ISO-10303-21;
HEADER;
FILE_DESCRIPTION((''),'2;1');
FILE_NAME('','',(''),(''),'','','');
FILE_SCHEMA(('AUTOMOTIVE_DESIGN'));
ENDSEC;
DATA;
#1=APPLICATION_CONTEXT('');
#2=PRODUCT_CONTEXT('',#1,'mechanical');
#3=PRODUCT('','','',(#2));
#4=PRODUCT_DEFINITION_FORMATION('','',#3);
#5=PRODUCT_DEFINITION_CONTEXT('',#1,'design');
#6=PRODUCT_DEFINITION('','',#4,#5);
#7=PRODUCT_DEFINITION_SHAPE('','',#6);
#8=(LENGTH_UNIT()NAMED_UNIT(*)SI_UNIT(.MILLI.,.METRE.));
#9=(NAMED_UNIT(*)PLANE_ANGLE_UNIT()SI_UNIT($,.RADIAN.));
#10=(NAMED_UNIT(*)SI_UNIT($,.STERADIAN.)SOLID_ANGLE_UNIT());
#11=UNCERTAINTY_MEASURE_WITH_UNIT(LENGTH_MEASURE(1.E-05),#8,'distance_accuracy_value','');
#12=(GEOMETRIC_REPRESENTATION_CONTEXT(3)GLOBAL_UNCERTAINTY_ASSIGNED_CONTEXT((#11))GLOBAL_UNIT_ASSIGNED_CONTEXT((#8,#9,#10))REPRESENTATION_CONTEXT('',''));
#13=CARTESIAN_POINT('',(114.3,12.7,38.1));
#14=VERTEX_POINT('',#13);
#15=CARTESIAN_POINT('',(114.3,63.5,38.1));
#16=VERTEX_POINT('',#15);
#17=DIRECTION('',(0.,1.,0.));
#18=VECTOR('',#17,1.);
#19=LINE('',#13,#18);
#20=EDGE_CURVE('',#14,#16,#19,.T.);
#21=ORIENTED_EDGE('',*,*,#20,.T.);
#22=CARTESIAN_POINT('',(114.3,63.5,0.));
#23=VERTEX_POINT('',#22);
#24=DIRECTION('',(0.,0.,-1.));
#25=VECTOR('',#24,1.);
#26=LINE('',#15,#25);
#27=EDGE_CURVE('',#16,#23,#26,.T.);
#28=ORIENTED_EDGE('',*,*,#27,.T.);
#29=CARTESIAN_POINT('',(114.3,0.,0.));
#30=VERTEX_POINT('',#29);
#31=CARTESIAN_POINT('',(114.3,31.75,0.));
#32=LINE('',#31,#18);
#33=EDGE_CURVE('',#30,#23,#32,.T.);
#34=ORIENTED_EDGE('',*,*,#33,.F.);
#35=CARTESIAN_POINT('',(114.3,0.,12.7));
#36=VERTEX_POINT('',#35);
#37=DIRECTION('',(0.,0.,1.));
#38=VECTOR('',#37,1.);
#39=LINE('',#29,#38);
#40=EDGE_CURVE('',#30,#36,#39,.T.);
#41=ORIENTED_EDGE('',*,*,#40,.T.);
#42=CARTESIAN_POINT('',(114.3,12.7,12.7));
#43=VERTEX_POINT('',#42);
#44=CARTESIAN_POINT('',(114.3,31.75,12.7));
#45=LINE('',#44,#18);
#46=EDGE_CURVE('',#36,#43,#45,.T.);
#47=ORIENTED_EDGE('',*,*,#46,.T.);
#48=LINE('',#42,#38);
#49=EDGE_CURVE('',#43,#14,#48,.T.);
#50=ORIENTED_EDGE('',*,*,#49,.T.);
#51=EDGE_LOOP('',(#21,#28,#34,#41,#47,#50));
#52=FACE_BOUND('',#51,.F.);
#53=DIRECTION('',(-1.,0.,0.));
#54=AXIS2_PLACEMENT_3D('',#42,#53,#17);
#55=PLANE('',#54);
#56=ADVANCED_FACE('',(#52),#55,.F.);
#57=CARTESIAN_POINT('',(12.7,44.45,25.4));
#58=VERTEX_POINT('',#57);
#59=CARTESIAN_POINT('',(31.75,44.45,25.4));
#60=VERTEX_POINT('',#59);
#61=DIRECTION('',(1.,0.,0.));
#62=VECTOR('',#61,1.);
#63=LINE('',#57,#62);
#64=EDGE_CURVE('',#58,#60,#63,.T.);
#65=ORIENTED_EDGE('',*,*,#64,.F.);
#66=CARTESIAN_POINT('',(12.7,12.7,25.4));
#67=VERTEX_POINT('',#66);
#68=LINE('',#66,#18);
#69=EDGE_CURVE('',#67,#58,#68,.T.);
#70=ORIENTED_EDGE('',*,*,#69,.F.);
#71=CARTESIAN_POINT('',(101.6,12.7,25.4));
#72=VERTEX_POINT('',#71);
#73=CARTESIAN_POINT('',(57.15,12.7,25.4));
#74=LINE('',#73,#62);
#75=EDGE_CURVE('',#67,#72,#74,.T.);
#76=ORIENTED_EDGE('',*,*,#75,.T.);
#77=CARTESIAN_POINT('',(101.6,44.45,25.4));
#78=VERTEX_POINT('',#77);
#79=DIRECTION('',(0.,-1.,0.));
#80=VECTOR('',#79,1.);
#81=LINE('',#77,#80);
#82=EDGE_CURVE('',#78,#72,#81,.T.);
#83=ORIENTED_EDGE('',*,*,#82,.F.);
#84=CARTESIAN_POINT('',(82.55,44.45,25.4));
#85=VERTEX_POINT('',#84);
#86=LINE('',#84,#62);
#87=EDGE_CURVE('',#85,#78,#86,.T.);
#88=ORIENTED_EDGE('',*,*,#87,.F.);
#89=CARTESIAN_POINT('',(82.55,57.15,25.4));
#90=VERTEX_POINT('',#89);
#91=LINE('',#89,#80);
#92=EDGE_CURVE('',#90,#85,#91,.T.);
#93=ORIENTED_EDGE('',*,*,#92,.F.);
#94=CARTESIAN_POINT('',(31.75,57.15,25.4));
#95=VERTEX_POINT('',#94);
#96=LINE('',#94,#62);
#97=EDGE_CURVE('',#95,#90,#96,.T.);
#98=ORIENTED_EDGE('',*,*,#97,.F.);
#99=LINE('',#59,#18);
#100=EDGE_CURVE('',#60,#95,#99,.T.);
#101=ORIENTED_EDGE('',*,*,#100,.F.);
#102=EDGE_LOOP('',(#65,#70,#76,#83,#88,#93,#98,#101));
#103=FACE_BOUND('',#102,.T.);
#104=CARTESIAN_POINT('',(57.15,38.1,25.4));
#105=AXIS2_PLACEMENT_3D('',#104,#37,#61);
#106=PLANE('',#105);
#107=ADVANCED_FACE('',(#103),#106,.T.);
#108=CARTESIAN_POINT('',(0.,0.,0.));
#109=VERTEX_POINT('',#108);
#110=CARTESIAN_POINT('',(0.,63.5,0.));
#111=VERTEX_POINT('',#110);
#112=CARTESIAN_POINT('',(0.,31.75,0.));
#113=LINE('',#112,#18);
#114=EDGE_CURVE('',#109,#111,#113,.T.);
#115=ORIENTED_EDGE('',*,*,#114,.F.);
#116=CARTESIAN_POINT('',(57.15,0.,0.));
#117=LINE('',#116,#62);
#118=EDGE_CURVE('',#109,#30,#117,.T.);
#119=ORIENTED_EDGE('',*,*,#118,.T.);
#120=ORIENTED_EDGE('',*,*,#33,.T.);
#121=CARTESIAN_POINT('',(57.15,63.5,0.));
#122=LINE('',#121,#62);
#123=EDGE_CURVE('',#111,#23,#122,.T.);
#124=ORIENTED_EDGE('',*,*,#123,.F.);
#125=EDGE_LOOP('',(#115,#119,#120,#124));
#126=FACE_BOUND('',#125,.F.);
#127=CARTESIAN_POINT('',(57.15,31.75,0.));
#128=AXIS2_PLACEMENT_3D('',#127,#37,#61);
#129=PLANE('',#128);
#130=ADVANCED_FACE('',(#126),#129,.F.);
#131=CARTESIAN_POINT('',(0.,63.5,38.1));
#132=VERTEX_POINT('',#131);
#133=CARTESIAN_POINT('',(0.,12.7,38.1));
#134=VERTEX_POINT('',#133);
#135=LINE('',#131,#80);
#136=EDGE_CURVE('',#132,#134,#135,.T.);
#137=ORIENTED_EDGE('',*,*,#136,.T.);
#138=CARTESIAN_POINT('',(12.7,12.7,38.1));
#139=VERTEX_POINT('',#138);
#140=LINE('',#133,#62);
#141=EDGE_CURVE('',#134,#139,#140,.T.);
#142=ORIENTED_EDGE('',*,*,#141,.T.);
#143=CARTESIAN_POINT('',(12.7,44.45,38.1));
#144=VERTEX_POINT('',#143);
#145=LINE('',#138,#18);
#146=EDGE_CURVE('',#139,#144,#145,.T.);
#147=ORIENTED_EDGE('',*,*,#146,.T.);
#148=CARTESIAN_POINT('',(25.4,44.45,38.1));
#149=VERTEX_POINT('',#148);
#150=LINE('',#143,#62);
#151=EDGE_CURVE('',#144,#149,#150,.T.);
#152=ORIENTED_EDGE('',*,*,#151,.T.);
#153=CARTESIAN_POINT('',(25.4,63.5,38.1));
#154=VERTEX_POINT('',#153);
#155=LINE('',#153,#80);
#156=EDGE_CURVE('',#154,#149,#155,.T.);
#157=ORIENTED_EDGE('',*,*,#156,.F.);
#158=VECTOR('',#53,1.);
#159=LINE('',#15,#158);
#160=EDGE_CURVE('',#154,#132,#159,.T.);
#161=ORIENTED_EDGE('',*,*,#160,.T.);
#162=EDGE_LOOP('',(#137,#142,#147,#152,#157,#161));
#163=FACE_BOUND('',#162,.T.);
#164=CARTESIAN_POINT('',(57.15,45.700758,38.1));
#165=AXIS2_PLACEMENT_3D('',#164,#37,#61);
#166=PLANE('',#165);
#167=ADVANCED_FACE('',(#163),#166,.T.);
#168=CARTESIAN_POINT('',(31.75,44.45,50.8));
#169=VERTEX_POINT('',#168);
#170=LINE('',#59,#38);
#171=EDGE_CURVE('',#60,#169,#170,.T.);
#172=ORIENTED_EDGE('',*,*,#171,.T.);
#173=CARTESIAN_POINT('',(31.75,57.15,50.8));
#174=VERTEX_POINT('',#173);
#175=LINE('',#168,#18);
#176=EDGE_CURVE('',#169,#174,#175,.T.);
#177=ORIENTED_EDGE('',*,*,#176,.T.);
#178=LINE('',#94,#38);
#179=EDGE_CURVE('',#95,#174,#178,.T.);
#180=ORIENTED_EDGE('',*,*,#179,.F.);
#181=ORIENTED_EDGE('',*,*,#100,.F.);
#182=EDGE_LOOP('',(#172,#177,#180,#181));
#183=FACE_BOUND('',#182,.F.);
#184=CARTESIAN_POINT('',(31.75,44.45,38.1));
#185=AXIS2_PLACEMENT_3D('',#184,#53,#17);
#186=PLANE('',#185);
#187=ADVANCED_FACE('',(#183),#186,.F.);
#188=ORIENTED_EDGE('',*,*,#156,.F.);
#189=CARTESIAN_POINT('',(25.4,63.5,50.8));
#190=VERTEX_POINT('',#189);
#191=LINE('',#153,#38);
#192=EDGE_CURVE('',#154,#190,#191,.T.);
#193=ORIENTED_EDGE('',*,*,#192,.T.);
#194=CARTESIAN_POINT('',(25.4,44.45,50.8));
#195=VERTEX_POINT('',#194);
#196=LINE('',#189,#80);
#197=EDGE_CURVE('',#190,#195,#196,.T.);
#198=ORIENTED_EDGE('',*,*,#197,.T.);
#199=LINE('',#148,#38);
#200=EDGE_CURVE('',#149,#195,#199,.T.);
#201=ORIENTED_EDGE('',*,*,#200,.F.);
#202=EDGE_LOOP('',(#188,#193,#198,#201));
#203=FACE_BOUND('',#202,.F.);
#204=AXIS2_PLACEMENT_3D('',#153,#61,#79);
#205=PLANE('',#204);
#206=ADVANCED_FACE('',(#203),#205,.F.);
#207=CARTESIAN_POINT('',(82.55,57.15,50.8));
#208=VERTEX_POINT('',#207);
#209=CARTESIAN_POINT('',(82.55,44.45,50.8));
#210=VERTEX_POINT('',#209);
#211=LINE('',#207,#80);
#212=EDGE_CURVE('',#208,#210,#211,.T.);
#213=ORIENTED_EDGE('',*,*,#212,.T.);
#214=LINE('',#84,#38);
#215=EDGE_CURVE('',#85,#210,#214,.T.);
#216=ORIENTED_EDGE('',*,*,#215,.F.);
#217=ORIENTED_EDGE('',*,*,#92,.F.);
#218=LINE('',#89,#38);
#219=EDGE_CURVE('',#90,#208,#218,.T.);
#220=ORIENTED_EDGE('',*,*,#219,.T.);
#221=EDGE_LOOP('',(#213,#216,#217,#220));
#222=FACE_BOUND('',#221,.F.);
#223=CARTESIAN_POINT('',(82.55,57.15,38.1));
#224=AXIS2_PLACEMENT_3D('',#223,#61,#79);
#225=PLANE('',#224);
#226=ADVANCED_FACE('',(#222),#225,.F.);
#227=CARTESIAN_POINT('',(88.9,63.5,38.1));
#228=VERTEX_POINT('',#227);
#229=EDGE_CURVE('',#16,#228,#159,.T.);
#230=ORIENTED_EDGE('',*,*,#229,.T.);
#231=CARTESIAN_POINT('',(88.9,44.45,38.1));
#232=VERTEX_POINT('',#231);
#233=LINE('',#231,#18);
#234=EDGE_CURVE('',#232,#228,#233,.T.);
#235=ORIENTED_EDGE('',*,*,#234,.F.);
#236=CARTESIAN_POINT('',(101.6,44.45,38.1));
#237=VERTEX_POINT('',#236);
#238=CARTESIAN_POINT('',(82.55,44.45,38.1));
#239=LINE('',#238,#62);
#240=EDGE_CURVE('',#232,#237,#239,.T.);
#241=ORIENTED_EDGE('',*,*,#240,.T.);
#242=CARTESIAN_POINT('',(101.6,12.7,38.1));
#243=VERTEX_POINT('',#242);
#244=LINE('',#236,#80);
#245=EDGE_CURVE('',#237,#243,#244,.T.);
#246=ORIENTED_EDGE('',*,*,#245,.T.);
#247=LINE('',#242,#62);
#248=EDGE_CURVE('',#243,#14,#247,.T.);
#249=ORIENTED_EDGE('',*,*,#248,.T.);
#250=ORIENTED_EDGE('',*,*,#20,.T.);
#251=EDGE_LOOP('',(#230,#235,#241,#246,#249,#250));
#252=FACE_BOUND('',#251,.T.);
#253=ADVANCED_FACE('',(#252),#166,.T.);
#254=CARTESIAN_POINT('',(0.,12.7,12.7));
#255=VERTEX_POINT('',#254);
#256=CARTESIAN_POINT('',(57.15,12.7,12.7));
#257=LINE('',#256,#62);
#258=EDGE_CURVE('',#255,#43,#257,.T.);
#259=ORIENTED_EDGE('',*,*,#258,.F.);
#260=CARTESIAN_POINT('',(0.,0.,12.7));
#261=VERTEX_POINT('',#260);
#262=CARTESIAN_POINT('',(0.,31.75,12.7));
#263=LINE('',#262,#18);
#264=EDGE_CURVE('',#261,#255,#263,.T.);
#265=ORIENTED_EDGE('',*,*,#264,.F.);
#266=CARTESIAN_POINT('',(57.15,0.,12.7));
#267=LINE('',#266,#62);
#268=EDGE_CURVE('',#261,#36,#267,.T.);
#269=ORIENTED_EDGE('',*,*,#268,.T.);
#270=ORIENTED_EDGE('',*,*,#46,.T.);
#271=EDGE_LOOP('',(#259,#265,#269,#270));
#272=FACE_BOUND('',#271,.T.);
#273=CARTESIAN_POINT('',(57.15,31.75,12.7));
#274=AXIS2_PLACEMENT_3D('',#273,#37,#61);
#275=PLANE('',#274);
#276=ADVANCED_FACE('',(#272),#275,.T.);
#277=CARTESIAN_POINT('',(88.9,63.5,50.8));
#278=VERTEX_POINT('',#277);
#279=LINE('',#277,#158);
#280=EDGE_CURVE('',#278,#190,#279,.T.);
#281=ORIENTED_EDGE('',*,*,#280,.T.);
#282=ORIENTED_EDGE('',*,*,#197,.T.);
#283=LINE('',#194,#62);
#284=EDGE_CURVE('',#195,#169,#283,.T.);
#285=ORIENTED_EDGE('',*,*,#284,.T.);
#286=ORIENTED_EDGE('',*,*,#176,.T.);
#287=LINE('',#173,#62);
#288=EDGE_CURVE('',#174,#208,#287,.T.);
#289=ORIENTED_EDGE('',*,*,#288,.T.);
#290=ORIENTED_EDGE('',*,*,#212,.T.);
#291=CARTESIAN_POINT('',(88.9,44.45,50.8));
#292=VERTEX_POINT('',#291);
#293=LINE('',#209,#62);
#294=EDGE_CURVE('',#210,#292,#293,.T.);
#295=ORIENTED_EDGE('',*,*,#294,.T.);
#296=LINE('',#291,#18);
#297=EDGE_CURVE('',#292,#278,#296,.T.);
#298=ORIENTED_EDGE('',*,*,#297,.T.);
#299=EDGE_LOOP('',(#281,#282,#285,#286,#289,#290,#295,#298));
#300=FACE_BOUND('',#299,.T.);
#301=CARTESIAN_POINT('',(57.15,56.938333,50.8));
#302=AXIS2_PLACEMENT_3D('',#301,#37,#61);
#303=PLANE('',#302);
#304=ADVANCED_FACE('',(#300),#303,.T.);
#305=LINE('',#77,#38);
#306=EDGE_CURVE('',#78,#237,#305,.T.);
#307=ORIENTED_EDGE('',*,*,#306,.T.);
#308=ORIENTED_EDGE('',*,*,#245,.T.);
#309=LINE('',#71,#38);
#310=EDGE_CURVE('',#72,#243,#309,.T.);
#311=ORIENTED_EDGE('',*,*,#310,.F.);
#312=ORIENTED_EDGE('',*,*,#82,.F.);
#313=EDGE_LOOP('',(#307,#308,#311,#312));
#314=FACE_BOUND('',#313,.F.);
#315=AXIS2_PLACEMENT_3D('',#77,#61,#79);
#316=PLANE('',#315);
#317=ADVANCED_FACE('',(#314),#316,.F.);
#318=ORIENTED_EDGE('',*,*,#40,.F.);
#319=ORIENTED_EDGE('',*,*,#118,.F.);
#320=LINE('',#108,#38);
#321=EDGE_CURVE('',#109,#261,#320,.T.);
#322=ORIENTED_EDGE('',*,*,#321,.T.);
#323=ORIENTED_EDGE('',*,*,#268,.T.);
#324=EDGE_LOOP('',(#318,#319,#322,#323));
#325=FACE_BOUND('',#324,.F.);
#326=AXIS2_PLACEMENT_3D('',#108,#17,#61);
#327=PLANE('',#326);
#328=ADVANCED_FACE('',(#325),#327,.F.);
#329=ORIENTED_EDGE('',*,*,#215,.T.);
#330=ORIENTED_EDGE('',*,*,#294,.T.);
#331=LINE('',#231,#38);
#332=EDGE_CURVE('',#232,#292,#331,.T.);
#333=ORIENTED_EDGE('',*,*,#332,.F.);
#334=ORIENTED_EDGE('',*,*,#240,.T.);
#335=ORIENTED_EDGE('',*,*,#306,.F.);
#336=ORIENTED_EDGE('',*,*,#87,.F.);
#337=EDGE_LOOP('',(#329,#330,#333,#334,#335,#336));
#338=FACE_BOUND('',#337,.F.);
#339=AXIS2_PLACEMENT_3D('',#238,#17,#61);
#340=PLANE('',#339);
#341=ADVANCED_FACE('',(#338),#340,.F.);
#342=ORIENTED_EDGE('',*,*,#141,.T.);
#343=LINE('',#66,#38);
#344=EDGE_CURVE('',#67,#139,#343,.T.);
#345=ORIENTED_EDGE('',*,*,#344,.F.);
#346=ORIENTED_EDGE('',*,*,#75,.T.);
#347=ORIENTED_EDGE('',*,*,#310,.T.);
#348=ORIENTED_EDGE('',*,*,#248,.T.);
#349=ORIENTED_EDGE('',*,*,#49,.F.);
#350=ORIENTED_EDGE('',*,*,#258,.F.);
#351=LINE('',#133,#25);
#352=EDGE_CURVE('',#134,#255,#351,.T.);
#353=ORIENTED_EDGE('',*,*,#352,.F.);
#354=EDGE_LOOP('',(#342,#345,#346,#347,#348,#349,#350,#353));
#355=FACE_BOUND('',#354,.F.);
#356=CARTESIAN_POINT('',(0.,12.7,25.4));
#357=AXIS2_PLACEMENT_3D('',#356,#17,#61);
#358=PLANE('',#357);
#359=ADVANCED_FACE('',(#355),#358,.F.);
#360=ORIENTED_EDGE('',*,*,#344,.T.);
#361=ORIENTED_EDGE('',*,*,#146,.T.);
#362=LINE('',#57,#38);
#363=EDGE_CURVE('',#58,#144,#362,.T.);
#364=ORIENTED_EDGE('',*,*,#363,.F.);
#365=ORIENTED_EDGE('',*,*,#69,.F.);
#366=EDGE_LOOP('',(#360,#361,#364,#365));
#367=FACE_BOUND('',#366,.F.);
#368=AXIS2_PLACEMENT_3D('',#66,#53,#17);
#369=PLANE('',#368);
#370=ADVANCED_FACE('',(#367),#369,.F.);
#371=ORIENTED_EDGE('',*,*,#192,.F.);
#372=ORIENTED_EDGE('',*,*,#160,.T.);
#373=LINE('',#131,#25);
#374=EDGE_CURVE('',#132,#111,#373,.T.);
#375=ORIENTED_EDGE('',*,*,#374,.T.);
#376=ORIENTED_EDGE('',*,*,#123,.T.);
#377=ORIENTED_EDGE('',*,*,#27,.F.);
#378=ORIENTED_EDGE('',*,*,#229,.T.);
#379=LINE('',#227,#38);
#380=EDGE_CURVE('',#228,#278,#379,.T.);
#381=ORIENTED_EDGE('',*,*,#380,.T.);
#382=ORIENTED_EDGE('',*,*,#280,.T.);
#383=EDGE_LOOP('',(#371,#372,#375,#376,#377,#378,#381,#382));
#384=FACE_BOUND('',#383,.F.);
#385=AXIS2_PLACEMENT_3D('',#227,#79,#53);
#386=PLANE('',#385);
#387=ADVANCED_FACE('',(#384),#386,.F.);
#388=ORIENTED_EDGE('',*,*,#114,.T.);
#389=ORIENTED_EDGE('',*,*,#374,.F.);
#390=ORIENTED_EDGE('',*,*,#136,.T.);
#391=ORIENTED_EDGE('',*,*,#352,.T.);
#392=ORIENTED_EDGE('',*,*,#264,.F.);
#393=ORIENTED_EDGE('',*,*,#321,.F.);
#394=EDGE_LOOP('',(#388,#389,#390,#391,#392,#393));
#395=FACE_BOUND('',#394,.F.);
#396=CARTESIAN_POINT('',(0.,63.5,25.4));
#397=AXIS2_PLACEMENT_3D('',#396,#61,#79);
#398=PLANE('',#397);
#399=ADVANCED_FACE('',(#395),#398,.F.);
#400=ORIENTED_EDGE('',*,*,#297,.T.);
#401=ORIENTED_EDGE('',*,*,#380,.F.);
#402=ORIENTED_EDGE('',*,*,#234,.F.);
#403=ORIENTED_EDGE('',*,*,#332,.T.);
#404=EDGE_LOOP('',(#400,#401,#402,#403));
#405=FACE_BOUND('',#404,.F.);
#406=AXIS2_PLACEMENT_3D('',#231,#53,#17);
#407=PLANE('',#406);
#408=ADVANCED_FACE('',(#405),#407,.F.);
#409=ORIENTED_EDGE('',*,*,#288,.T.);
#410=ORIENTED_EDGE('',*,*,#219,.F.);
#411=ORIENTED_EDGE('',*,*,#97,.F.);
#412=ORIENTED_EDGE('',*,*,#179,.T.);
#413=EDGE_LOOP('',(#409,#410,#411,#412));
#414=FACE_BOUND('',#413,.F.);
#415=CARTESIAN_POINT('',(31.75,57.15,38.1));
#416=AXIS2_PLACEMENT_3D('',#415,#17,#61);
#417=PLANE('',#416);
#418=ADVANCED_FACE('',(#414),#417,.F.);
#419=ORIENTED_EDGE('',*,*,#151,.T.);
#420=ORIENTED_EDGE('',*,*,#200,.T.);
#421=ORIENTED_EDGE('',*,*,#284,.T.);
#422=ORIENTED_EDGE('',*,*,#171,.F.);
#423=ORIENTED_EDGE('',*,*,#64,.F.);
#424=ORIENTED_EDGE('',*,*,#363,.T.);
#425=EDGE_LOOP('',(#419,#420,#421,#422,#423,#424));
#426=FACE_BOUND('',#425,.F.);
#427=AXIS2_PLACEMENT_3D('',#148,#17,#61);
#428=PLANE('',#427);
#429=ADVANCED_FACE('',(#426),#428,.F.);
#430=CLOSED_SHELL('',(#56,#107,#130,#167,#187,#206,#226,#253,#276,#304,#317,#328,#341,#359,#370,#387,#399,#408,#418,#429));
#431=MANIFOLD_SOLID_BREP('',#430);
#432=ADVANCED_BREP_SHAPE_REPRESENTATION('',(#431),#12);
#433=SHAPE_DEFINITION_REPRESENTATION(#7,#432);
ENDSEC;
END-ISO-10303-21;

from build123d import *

# Parameters (mm, degrees)
F0_W     = 114.3
F0_H     = 63.5
F1_DEPTH = 12.7
F2_W     = 114.3
F2_H     = 50.8
F3_DEPTH = 12.7
F5_DEPTH = 12.7
F7_DEPTH = 12.7


with BuildPart() as f1:
    # F0 (on Top) → F1 (new body)
    with BuildSketch(Plane.XY):
        with Locations((57.15, 31.75)):
            Rectangle(F0_W, F0_H)
    extrude(amount=F1_DEPTH)

    # F2 (on face) → F3 (join)
    with BuildSketch(Plane.XY.offset(12.7)):
        with Locations((57.15, 38.1)):
            Rectangle(F2_W, F2_H)
    extrude(amount=F3_DEPTH)

    # F4 (on face) → F5 (join)
    with BuildSketch(Plane.XY.offset(25.4)):
        Polygon((0, 12.7), (12.7, 12.7), (12.7, 44.45), (31.75, 44.45), (31.75, 57.15), (82.55, 57.15), (82.55, 44.45), (101.6, 44.45), (101.6, 12.7), (114.3, 12.7), (114.3, 63.5), (0, 63.5), align=None)
    extrude(amount=F5_DEPTH)

    # F6 (on face) → F7 (join)
    with BuildSketch(Plane.XY.offset(38.1)):
        Polygon((25.4, 63.5), (25.4, 44.45), (31.75, 44.45), (31.75, 57.15), (82.55, 57.15), (82.55, 44.45), (88.9, 44.45), (88.9, 63.5), align=None)
    extrude(amount=F7_DEPTH)


solid = f1.part
